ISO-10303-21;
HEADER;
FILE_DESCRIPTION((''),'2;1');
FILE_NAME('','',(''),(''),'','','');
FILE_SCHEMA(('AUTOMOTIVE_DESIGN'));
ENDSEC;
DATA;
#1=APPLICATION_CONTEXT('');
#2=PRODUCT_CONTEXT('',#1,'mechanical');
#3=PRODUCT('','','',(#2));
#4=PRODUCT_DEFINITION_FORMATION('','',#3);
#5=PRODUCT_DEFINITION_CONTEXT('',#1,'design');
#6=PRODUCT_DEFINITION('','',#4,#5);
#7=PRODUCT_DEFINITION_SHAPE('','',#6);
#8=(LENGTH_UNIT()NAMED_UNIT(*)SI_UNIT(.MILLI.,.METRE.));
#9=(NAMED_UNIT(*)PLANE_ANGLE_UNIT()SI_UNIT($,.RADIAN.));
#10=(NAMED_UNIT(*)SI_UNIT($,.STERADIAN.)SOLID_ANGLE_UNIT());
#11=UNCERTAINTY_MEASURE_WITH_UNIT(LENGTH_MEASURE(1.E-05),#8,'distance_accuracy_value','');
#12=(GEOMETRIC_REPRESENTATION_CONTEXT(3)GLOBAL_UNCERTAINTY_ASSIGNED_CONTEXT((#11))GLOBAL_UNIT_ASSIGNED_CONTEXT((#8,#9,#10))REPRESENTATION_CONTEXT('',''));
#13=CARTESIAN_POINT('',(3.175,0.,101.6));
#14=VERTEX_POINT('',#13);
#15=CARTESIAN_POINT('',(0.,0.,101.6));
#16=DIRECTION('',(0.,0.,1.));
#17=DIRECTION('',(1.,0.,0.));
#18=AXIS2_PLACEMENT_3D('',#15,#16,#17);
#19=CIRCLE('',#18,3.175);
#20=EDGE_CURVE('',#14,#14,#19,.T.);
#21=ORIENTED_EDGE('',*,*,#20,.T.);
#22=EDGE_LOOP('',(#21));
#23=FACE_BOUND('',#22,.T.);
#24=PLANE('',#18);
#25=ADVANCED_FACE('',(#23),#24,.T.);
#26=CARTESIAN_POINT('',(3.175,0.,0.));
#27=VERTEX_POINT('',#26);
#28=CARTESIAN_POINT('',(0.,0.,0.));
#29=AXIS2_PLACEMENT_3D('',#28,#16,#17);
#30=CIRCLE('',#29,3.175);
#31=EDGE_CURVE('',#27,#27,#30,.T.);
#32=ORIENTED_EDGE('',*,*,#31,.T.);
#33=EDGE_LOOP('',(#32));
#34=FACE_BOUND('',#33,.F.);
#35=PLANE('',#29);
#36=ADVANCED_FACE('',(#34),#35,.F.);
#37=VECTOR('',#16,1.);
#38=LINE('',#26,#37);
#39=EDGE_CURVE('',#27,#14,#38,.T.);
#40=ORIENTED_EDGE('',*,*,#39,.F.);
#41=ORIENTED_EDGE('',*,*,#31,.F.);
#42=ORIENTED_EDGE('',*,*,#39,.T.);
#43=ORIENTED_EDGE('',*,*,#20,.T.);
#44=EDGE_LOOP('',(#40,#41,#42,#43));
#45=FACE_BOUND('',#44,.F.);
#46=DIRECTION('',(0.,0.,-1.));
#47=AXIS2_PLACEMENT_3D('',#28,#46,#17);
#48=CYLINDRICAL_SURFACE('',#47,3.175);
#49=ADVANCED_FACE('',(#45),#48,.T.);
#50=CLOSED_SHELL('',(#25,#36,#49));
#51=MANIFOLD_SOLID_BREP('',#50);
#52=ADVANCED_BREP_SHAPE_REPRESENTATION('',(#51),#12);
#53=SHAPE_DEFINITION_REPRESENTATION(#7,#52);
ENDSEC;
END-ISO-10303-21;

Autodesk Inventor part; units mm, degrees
ref_plane "YZ Plane" through (0, 0, 0) normal (1, 0, 0) x (0, 1, 0)
ref_plane "XZ Plane" through (0, 0, 0) normal (0, 1, 0) x (-1, 0, 0)
ref_plane "XY Plane" through (0, 0, 0) normal (0, 0, 1) x (1, 0, 0)
sketch "Sketch1" plane through (0, 0, 0) normal (0, 0, 1) x (1, 0, 0)
  circle A0 centre (0, 0) radius 3.175
  dimension "d0" = 6.35
extrude "Extrusion1" add sketch "Sketch1" along normal blind 101.6
properties part number "Shooter Conveyor Shaft 0.25 inch" material "Steel"
